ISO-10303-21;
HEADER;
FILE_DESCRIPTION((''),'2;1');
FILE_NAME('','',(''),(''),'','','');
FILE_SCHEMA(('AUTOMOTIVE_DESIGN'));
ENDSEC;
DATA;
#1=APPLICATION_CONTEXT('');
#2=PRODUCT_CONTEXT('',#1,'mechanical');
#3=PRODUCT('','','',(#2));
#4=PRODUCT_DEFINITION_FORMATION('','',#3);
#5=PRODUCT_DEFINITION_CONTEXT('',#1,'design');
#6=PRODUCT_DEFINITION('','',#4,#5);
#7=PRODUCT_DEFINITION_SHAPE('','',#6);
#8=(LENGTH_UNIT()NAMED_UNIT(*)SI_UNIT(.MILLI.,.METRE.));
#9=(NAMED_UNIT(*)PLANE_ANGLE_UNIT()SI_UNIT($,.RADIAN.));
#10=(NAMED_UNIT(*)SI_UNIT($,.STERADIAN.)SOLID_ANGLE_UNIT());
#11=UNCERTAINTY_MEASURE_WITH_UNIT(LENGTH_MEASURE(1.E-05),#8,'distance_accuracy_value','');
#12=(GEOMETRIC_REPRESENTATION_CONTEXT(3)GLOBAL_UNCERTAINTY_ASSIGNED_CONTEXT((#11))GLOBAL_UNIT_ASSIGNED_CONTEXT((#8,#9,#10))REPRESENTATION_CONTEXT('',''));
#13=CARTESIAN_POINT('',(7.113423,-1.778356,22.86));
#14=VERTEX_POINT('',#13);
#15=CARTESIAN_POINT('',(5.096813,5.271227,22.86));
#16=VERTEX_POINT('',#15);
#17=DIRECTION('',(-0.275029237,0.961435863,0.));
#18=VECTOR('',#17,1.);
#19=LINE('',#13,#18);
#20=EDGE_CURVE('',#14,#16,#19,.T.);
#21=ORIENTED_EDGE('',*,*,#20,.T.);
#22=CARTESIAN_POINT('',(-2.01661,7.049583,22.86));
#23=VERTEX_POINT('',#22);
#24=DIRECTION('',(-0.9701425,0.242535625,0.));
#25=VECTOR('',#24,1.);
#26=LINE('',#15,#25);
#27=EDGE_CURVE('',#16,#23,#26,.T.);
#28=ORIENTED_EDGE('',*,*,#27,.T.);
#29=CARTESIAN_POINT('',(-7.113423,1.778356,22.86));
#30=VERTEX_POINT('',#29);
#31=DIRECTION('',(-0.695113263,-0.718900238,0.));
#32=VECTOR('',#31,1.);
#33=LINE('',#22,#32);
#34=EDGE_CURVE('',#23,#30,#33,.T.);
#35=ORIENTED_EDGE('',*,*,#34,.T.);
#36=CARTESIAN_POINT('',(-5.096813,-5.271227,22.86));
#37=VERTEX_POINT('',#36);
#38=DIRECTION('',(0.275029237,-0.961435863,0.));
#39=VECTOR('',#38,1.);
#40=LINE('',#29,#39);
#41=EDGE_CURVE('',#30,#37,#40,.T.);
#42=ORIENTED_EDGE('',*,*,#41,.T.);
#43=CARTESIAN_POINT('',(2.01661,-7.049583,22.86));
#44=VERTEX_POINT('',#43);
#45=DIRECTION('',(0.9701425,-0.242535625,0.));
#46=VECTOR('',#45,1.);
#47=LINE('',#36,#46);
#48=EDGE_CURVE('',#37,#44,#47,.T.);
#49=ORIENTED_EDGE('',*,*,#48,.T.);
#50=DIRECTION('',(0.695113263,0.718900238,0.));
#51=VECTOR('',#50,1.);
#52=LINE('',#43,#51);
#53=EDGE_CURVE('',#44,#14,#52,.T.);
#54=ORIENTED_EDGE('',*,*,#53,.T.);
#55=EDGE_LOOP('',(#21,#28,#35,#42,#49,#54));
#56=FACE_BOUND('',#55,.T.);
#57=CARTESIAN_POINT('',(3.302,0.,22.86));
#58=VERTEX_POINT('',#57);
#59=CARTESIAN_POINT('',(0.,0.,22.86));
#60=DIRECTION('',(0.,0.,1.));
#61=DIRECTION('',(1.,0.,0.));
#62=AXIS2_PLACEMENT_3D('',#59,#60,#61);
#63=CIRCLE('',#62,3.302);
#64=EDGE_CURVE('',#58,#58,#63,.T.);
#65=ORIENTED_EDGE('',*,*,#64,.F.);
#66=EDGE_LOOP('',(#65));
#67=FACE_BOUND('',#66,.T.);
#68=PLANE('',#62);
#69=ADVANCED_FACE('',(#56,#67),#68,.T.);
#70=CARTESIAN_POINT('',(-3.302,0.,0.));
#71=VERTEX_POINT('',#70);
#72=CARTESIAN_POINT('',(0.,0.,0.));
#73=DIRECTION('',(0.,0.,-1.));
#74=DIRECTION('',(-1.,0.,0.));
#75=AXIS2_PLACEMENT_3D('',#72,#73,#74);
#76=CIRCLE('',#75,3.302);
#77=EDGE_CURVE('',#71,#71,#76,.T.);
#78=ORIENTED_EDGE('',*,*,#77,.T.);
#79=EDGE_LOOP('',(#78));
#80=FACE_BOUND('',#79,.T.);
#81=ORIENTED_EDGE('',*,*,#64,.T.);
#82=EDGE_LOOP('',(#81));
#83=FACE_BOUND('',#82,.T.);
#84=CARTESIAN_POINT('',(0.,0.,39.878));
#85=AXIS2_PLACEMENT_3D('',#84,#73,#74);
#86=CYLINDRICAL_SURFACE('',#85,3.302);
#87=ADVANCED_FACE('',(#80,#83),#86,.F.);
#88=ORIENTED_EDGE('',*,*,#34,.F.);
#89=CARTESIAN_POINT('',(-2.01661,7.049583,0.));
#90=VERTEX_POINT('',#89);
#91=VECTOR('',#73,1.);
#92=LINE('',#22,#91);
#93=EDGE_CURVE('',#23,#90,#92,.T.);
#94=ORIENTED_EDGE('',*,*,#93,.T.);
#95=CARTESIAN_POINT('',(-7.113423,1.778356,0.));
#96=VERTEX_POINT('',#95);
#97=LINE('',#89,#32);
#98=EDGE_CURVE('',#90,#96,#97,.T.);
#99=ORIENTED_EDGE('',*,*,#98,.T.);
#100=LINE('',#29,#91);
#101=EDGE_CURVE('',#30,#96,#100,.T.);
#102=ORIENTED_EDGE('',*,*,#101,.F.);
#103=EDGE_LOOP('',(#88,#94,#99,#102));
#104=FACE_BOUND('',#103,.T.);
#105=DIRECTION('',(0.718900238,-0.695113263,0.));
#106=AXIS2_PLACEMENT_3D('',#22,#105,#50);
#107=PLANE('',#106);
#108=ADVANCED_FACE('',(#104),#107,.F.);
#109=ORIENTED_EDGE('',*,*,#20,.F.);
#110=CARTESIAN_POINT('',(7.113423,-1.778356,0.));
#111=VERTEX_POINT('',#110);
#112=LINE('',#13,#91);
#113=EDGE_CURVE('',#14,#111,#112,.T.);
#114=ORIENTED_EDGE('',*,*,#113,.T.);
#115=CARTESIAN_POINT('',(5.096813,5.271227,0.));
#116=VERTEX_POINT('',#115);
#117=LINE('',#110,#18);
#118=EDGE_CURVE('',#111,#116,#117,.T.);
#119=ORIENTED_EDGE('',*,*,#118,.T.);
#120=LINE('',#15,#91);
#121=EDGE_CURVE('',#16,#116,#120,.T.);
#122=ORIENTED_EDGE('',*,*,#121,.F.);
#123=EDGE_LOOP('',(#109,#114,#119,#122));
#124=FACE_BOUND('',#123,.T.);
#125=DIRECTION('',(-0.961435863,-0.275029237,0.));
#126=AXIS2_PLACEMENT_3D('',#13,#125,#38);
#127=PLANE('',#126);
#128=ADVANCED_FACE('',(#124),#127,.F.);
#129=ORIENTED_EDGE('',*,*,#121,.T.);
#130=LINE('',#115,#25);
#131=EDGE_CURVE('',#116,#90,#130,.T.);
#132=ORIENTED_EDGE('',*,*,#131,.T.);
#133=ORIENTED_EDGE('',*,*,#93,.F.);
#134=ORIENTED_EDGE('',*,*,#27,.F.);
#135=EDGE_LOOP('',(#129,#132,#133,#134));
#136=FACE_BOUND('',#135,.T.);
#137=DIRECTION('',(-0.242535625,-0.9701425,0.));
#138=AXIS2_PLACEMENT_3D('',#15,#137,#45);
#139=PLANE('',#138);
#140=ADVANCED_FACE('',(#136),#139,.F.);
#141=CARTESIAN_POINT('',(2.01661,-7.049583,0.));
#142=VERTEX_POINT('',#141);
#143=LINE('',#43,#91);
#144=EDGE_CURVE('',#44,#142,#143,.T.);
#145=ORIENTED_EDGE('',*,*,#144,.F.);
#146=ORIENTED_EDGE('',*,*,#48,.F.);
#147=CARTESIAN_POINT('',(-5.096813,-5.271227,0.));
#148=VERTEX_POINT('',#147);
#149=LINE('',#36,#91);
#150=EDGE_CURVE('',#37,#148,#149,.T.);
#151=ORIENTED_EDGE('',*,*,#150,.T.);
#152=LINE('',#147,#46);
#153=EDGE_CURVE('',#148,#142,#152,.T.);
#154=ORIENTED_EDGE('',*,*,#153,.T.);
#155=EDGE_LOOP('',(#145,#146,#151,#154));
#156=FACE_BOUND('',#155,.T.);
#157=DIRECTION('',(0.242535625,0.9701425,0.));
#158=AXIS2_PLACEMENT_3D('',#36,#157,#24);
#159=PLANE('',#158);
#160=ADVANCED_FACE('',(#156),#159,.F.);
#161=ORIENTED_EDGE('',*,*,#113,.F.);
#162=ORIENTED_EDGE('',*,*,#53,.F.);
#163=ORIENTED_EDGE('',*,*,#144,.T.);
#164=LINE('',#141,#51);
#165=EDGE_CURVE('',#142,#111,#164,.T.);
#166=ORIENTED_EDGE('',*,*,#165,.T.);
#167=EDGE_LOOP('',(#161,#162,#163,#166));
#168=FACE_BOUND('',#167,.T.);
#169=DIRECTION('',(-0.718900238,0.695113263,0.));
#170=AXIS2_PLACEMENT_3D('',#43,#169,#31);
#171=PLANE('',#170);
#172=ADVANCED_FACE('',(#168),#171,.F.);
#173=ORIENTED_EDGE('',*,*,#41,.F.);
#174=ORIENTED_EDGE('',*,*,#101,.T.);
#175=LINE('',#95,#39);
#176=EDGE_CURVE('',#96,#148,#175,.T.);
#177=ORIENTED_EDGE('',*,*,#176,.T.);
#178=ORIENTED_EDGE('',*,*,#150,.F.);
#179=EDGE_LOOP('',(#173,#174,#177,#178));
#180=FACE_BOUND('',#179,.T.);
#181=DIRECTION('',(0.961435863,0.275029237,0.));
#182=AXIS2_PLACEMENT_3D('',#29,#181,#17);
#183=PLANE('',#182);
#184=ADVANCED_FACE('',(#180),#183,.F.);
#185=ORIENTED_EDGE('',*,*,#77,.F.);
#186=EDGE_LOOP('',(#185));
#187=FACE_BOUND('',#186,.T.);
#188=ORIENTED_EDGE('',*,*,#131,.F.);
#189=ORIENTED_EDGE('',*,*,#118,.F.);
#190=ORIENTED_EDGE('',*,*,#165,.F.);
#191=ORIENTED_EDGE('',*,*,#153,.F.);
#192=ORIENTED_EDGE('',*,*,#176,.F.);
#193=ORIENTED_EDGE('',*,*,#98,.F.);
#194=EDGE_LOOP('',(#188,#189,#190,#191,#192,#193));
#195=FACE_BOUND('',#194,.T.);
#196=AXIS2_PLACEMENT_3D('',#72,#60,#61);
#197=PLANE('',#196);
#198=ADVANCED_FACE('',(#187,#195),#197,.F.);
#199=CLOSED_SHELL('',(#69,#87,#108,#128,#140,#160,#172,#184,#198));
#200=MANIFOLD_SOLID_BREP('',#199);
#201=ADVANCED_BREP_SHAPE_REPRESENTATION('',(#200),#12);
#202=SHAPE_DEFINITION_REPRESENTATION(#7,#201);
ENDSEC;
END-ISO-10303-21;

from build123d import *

# Parameters (mm, degrees)
BOSS_EXTRUDE1_DEPTH = 22.86
SKETCH2_R           = 3.302
CUT_EXTRUDE1_DEPTH  = 39.878


with BuildPart() as part:
    # Sketch1 → Boss-Extrude1 (new body)
    with BuildSketch(Plane.XY):
        Polygon((-7.113422827, 1.778355707), (-5.096812632, -5.271227023), (2.016610194, -7.049582729), (7.113422827, -1.778355707), (5.096812632, 5.271227023), (-2.016610194, 7.049582729), align=None)
    extrude(amount=BOSS_EXTRUDE1_DEPTH)

    # Sketch2 → Cut-Extrude1 (cut)
    with BuildSketch(Plane(origin=(0, 0, 0), x_dir=(-1, 0, 0), z_dir=(0, 0, -1))):
        Circle(SKETCH2_R)
    extrude(amount=-CUT_EXTRUDE1_DEPTH, mode=Mode.SUBTRACT)


solid = part.part
